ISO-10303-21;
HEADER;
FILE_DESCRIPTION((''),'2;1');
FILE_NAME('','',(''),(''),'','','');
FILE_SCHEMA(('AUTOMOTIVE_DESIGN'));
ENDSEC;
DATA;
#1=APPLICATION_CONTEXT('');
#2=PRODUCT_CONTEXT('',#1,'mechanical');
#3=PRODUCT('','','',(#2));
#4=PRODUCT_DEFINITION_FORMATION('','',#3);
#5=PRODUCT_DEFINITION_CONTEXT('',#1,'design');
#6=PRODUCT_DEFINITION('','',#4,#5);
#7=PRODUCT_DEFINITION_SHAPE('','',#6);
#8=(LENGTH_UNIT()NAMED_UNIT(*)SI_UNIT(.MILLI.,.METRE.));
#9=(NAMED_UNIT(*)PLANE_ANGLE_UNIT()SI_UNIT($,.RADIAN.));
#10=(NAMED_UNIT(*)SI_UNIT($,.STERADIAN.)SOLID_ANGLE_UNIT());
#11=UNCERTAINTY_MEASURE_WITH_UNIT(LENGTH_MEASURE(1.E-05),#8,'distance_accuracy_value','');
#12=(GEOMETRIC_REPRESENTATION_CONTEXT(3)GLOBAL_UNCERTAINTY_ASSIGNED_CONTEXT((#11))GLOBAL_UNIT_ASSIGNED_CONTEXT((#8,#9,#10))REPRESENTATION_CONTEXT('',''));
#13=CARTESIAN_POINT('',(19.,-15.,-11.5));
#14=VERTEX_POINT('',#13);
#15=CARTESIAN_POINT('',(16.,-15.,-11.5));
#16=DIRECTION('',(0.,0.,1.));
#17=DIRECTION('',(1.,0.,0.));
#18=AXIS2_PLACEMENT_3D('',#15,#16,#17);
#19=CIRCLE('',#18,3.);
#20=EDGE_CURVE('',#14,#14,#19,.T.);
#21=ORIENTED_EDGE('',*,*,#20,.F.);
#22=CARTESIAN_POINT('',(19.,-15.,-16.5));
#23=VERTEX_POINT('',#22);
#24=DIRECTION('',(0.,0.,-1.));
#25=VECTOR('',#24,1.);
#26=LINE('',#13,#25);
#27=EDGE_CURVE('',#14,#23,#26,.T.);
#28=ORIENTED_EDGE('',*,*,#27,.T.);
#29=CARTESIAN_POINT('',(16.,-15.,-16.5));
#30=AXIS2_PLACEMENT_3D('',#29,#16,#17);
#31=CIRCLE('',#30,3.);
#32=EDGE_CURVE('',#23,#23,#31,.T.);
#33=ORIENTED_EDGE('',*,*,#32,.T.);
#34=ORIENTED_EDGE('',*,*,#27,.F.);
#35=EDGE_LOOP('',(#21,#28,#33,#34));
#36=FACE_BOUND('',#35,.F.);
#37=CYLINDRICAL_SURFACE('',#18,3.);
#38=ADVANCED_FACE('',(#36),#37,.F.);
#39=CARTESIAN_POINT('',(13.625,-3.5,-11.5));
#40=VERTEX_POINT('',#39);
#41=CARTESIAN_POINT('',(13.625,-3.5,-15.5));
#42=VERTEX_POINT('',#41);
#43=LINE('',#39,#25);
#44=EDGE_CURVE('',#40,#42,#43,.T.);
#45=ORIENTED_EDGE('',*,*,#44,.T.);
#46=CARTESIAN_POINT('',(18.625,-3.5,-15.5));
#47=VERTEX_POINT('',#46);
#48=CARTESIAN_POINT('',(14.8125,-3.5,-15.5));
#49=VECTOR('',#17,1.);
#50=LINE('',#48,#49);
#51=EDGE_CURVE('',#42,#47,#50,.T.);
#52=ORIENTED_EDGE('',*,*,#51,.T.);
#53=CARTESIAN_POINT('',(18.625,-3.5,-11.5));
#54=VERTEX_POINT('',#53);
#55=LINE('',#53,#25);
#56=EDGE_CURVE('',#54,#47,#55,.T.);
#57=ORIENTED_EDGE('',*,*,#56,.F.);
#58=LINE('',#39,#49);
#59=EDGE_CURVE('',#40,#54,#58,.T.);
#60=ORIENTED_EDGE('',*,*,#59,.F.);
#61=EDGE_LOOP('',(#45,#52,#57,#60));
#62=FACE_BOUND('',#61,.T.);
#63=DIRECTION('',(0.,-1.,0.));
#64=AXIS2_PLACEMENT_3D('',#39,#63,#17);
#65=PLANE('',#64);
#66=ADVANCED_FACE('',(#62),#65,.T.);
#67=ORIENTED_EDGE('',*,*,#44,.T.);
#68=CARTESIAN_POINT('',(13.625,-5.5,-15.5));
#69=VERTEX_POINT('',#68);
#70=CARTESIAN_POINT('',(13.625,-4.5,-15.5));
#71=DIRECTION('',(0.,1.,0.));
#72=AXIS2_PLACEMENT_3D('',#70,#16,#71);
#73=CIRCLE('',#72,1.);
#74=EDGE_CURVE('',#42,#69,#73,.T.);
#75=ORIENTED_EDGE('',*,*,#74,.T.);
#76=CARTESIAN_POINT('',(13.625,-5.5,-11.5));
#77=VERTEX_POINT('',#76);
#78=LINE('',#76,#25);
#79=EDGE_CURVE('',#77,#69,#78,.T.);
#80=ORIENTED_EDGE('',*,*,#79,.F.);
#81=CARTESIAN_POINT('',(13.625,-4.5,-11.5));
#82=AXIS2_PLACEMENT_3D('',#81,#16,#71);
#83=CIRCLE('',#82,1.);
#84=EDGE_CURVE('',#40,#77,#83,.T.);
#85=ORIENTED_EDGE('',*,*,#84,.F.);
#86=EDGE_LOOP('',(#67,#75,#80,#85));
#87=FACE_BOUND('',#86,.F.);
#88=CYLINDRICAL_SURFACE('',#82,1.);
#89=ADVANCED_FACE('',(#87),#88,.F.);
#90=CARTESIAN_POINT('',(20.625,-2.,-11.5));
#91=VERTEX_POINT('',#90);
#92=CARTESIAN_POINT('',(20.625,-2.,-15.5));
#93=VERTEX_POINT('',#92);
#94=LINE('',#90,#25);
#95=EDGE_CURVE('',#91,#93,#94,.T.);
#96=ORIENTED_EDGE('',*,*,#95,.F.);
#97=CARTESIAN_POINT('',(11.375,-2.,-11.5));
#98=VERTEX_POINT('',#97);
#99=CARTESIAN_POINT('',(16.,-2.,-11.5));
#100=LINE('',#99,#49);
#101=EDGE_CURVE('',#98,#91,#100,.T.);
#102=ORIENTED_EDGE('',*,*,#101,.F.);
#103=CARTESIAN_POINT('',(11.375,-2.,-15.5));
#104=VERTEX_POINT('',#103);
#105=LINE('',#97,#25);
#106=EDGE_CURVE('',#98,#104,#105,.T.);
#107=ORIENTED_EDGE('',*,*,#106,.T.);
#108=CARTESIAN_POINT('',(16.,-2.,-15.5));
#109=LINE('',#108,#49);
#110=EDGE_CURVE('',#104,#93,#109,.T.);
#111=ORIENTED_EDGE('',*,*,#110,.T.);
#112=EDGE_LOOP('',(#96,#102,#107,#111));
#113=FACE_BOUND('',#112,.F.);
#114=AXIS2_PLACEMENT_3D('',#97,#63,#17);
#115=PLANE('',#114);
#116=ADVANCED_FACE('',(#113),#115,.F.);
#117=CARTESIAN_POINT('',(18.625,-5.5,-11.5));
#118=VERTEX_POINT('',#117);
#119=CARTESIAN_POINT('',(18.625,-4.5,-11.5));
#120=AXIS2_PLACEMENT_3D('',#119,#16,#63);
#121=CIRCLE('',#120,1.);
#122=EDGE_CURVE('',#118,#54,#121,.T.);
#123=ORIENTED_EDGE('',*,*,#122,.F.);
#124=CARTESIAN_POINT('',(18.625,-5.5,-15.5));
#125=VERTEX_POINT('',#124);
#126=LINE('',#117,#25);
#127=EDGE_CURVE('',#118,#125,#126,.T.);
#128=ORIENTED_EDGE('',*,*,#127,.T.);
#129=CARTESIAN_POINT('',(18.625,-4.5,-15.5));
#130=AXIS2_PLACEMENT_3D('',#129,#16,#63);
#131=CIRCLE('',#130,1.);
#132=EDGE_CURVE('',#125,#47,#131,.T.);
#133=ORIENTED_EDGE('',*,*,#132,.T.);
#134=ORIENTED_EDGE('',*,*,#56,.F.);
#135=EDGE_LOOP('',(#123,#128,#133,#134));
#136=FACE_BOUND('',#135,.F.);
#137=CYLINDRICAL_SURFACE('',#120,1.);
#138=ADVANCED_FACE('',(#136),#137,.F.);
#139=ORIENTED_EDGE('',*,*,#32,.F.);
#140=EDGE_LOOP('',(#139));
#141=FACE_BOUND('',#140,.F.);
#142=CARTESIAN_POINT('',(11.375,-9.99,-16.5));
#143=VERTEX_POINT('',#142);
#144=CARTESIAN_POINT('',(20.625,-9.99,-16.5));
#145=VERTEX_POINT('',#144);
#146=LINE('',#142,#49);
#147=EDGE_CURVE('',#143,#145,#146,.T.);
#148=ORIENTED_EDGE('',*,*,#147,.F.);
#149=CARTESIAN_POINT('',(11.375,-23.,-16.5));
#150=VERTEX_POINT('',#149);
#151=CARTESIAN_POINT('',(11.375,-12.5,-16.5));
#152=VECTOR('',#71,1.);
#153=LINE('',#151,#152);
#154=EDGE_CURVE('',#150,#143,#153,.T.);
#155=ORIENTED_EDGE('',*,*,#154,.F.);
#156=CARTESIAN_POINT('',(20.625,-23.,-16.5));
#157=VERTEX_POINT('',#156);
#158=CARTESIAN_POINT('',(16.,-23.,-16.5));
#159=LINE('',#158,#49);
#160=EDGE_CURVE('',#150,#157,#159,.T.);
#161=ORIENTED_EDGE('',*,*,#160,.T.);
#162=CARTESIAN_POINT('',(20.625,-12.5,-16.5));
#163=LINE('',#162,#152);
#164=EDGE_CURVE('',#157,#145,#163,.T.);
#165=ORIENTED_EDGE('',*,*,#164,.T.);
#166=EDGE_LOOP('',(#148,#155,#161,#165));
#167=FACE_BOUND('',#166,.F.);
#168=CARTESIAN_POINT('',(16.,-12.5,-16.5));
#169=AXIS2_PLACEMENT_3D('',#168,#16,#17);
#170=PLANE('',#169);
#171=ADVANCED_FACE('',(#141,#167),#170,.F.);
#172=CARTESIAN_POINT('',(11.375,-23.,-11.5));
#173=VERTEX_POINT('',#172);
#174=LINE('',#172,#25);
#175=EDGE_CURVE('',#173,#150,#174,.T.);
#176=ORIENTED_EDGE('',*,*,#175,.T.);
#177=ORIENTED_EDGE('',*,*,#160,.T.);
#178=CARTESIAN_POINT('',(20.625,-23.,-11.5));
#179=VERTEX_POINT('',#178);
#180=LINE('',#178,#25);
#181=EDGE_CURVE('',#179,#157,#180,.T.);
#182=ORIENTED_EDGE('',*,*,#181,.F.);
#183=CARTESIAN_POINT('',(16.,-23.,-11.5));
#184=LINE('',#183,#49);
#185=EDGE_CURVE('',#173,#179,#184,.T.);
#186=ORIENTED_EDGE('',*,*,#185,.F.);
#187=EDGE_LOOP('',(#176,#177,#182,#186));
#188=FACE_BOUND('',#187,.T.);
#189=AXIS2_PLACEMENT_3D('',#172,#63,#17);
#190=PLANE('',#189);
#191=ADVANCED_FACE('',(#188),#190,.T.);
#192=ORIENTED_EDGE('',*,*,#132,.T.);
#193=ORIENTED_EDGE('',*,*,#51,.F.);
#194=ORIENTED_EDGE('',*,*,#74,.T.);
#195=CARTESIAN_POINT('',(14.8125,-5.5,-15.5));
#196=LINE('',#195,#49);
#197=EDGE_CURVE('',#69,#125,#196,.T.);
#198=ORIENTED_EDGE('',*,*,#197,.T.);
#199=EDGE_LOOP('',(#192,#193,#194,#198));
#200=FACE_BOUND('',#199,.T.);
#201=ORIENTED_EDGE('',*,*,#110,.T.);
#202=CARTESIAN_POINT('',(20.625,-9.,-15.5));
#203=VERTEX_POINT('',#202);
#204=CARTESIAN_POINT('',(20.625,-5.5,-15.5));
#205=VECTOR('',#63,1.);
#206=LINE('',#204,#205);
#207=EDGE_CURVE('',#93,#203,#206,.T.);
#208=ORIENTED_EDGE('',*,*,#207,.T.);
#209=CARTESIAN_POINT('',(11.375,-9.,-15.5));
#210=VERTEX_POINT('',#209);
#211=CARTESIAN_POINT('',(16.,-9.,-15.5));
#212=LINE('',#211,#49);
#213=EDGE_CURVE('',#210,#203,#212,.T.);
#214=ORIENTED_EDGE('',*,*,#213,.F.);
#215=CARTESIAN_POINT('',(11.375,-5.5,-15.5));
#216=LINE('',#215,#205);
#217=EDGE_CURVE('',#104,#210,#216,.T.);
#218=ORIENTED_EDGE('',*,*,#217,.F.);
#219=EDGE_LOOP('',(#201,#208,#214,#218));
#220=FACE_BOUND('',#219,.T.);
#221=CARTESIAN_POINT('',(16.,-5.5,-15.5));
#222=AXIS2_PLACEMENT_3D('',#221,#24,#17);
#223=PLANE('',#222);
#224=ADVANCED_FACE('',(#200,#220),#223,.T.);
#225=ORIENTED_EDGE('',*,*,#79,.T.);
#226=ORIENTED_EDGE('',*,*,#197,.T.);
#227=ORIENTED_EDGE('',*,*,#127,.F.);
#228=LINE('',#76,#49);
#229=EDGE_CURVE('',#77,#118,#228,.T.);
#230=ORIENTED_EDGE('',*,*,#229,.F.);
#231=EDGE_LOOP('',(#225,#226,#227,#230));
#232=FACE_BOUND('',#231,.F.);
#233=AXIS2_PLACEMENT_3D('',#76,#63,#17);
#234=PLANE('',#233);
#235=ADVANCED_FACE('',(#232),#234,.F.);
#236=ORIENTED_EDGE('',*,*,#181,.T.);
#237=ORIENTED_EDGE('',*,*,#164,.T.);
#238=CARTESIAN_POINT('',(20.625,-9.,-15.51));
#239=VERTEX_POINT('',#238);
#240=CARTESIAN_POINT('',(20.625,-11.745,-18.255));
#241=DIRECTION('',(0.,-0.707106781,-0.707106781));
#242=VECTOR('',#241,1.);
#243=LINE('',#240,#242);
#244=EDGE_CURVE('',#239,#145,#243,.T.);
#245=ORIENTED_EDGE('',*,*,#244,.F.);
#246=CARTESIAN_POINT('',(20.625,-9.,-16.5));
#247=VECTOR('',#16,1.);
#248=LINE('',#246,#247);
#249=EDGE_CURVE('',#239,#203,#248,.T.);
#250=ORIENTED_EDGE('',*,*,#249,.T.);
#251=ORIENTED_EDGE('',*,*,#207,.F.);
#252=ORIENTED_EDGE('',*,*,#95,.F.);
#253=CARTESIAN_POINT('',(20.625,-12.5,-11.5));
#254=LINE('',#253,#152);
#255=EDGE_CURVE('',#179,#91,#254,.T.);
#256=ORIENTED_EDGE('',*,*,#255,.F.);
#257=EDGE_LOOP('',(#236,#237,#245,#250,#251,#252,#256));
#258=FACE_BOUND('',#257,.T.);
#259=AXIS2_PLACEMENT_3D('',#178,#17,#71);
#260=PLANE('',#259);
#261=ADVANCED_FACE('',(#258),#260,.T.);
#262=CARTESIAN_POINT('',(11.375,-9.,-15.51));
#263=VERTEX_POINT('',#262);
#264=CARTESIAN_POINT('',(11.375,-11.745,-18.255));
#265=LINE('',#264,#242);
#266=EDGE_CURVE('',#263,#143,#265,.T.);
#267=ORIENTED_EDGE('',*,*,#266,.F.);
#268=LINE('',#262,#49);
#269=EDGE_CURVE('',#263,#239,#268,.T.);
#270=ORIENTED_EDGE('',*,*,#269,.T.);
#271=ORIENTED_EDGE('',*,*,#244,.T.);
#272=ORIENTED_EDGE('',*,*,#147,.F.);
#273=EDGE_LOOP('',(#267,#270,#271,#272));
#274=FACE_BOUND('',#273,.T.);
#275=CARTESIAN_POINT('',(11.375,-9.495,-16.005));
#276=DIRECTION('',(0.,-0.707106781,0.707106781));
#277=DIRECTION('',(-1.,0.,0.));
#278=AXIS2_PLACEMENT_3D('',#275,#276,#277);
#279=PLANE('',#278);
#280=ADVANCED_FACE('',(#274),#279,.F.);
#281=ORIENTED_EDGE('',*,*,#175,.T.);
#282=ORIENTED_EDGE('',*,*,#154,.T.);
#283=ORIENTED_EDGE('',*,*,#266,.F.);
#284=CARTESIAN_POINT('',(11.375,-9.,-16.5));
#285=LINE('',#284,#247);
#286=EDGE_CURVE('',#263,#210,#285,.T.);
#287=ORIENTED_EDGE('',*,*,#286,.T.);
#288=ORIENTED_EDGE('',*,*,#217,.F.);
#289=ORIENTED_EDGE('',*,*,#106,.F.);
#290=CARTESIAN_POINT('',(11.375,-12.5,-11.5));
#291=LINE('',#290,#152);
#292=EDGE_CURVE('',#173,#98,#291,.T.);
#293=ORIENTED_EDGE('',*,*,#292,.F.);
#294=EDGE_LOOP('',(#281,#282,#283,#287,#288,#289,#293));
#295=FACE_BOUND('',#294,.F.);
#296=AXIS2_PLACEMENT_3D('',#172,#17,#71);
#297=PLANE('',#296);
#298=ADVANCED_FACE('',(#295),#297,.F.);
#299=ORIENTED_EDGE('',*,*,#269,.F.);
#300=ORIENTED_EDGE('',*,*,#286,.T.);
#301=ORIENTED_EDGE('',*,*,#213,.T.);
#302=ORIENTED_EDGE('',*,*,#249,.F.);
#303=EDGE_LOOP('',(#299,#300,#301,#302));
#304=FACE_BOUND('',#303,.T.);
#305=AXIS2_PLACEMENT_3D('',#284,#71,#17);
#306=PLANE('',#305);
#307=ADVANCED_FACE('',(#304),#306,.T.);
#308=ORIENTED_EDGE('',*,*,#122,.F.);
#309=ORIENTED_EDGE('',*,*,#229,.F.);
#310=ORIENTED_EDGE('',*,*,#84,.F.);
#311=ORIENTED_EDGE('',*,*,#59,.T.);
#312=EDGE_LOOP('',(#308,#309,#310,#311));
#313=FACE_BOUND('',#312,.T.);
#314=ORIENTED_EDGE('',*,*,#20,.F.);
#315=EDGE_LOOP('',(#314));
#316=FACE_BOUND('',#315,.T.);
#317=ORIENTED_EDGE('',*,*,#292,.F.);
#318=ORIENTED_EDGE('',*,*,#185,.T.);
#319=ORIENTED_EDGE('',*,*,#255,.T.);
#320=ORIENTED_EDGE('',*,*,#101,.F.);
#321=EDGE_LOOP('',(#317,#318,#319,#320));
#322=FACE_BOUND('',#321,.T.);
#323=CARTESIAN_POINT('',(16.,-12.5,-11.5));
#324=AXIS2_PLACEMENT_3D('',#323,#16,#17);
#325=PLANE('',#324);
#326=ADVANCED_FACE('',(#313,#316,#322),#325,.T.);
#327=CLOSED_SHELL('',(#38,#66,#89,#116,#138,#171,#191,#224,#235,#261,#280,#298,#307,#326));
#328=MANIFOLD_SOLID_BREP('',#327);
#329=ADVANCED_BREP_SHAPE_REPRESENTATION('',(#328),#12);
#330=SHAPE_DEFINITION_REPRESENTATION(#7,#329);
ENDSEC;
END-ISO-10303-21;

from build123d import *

# Parameters (mm, degrees)
SKETCH011_W     = 9.25
SKETCH011_H     = 21
SKETCH011_R     = 3
PAD006_DEPTH    = 5
SKETCH021_W     = 9.25
SKETCH021_H     = 7
POCKET006_DEPTH = 1
CHAMFER_SIZE    = 0.99


with BuildPart() as part:
    # Sketch011 → Pad006 (new body)
    with BuildSketch(Plane(origin=(16, -15, -11.5), x_dir=(1, 0, 0), z_dir=(0, 0, 1))):
        with Locations((0, 2.5)):
            Rectangle(SKETCH011_W, SKETCH011_H)
        Circle(SKETCH011_R, mode=Mode.SUBTRACT)
        with BuildLine():
            ThreePointArc((-2.375, 11.5), (-3.375, 10.5), (-2.375, 9.5))
            Line((-2.375, 9.5), (2.625, 9.5))
            ThreePointArc((2.625, 9.5), (3.625, 10.5), (2.625, 11.5))
            Line((-2.375, 11.5), (2.625, 11.5))
        make_face(mode=Mode.SUBTRACT)
    extrude(amount=-PAD006_DEPTH)

    # Sketch021 → Pocket006 (cut)
    with BuildSketch(Plane(origin=(16, -15, -16.5), x_dir=(1, 0, 0), z_dir=(0, 0, -1))):
        with Locations((0, -9.5)):
            Rectangle(SKETCH021_W, SKETCH021_H)
    extrude(amount=-POCKET006_DEPTH, mode=Mode.SUBTRACT)

    # Chamfer
    chamfer_edges = [part.edges().sort_by_distance(p)[0] for p in [
        (16, -9, -16.5),
    ]]
    chamfer(chamfer_edges, length=CHAMFER_SIZE)


solid = part.part
